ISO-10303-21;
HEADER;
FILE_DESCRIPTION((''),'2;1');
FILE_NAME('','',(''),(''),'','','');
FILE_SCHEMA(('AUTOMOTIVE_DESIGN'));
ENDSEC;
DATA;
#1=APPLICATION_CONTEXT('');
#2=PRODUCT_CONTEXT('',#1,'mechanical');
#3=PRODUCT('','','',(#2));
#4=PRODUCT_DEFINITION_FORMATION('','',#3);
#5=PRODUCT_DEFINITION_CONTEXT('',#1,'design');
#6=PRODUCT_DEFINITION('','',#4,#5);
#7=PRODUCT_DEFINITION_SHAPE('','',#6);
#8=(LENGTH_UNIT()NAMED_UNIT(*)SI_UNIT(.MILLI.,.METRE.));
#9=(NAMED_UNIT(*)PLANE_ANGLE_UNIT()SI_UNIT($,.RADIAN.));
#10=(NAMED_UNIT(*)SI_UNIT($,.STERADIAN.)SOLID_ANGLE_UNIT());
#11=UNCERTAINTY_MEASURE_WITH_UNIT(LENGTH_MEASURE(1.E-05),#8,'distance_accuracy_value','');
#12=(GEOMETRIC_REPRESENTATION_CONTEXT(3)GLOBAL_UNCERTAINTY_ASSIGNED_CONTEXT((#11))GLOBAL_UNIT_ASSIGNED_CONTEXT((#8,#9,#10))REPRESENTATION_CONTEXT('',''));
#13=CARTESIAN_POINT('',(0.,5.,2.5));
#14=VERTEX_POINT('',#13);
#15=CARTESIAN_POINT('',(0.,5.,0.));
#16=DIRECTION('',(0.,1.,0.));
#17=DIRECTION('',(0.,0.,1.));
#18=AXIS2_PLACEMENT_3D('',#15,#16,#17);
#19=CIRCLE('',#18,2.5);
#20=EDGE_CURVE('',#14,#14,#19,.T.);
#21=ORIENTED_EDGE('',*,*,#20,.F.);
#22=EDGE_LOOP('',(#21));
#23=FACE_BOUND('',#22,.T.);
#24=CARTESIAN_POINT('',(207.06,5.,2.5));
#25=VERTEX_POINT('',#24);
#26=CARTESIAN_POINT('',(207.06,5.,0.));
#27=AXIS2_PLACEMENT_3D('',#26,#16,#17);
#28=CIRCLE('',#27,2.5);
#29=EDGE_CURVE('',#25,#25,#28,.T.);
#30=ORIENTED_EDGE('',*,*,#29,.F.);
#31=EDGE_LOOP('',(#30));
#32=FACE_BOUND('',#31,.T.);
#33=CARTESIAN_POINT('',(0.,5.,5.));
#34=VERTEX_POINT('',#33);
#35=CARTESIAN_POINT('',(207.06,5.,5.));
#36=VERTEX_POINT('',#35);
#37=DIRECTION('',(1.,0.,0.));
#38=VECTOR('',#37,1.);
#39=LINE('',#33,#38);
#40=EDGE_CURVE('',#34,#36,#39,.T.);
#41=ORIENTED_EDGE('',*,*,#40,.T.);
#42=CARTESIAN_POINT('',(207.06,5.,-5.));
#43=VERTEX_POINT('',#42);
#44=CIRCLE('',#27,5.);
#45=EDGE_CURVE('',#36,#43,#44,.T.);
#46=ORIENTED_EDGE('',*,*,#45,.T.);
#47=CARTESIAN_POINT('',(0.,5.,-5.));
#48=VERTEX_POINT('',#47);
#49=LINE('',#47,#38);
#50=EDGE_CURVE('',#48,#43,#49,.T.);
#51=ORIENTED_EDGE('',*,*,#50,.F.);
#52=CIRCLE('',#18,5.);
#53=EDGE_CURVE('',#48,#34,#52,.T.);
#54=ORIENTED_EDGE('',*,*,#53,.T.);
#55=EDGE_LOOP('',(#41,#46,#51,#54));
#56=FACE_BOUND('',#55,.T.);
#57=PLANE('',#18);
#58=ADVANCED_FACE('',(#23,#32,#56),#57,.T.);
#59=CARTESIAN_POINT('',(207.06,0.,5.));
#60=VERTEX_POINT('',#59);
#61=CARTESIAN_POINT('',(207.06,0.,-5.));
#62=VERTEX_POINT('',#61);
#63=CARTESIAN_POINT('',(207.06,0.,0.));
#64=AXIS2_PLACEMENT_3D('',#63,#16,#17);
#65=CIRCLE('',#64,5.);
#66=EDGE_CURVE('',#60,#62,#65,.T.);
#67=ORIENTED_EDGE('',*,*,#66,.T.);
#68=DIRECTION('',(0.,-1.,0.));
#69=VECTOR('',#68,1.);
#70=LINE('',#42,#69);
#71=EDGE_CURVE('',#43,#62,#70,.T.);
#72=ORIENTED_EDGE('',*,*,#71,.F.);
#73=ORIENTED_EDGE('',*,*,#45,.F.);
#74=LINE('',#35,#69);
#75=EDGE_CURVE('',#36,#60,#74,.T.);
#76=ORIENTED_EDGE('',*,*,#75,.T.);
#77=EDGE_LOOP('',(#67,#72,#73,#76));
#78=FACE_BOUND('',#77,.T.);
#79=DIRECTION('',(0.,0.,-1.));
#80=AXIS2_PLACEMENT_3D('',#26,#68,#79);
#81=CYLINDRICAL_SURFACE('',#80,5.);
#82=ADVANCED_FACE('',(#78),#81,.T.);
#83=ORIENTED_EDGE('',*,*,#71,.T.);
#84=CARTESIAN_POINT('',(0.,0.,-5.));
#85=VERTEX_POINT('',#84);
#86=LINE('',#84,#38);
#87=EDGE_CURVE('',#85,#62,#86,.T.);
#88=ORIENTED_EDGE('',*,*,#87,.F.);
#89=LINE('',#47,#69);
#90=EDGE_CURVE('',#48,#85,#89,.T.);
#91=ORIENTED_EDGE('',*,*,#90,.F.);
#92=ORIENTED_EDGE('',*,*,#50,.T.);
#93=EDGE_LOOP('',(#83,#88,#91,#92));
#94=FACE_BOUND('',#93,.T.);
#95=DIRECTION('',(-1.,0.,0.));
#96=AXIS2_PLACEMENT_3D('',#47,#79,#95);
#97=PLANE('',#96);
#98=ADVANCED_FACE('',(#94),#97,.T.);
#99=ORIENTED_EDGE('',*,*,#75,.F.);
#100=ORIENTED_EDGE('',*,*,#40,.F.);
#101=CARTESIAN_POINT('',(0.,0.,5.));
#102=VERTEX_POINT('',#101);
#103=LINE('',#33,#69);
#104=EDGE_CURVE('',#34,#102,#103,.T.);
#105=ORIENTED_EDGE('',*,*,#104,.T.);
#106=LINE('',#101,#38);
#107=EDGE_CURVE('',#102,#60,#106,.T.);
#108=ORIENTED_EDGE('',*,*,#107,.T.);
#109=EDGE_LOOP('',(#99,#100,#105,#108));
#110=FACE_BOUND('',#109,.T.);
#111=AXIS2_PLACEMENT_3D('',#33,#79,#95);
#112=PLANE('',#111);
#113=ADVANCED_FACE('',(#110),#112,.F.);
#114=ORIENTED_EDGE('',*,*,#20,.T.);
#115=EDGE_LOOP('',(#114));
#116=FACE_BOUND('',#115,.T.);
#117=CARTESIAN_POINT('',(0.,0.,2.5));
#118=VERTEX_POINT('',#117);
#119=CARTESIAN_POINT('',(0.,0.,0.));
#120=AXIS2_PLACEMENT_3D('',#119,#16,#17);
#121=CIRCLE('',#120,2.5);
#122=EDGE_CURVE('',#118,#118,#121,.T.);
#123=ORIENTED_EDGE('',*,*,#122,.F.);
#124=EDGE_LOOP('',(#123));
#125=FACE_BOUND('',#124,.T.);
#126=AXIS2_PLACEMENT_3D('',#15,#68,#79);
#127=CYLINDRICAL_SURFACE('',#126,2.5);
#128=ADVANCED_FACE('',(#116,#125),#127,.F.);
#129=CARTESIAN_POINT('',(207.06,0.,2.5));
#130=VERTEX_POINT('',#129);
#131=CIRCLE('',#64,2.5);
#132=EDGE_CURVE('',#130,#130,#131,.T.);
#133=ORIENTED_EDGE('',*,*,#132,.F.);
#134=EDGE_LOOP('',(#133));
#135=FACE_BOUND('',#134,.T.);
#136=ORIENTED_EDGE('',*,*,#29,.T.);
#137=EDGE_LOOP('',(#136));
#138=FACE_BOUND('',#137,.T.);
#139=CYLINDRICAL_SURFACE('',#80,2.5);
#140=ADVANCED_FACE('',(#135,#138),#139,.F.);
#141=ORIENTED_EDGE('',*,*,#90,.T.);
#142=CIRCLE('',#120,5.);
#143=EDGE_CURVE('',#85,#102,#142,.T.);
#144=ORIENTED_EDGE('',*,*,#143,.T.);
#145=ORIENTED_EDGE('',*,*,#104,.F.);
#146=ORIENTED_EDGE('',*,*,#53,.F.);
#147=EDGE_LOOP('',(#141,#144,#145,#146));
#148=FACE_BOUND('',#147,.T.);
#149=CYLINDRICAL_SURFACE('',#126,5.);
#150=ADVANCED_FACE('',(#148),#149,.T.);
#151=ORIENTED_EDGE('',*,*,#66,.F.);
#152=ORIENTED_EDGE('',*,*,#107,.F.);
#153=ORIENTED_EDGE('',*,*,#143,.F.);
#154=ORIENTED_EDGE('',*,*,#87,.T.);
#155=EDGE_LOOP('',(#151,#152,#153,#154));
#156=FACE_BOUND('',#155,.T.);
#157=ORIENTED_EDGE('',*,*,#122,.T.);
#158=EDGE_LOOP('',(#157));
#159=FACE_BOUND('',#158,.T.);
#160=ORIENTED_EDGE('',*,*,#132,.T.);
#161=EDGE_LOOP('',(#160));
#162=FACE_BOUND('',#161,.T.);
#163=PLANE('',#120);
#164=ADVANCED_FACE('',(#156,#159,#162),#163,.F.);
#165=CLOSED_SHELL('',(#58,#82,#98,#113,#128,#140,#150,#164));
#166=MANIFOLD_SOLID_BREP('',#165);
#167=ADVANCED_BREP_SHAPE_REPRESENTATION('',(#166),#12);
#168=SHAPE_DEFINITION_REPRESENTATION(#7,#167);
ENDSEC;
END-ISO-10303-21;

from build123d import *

# Parameters (mm, degrees)
SKETCH_2_R      = 5
SKETCH_2_R_2    = 2.5
EXTRUDE_1_DEPTH = 5


with BuildPart() as part:
    # 草图2 → 凸台-拉伸1 (new body)
    # profile 1 of 3: a face of its own
    with BuildSketch(Plane(origin=(0, 0, 0), x_dir=(1, 0, 0), z_dir=(0, 1, 0))):
        with BuildLine():
            ThreePointArc((5, 0), (3.535533906, -3.535533906), (0, -5))
            Line((0, -5), (207.06, -5))
            ThreePointArc((207.06, -5), (202.06, 0), (207.06, 5))
            Line((207.06, 5), (0, 5))
            ThreePointArc((0, 5), (3.535533906, 3.535533906), (5, 0))
        make_face()
    # profile 2 of 3: a face of its own
    with BuildSketch(Plane(origin=(0, 0, 0), x_dir=(1, 0, 0), z_dir=(0, 1, 0))):
        Circle(SKETCH_2_R)
        with Locations(Location((0, 0, 0), (0, 0, 270))):
            Circle(SKETCH_2_R_2, mode=Mode.SUBTRACT)
    # profile 3 of 3: a face of its own
    with BuildSketch(Plane(origin=(0, 0, 0), x_dir=(1, 0, 0), z_dir=(0, 1, 0))):
        with Locations((207.06, 0)):
            Circle(SKETCH_2_R)
        with Locations(Location((207.06, 0, 0), (0, 0, 270))):
            Circle(SKETCH_2_R_2, mode=Mode.SUBTRACT)
    extrude(amount=EXTRUDE_1_DEPTH)


solid = part.part
